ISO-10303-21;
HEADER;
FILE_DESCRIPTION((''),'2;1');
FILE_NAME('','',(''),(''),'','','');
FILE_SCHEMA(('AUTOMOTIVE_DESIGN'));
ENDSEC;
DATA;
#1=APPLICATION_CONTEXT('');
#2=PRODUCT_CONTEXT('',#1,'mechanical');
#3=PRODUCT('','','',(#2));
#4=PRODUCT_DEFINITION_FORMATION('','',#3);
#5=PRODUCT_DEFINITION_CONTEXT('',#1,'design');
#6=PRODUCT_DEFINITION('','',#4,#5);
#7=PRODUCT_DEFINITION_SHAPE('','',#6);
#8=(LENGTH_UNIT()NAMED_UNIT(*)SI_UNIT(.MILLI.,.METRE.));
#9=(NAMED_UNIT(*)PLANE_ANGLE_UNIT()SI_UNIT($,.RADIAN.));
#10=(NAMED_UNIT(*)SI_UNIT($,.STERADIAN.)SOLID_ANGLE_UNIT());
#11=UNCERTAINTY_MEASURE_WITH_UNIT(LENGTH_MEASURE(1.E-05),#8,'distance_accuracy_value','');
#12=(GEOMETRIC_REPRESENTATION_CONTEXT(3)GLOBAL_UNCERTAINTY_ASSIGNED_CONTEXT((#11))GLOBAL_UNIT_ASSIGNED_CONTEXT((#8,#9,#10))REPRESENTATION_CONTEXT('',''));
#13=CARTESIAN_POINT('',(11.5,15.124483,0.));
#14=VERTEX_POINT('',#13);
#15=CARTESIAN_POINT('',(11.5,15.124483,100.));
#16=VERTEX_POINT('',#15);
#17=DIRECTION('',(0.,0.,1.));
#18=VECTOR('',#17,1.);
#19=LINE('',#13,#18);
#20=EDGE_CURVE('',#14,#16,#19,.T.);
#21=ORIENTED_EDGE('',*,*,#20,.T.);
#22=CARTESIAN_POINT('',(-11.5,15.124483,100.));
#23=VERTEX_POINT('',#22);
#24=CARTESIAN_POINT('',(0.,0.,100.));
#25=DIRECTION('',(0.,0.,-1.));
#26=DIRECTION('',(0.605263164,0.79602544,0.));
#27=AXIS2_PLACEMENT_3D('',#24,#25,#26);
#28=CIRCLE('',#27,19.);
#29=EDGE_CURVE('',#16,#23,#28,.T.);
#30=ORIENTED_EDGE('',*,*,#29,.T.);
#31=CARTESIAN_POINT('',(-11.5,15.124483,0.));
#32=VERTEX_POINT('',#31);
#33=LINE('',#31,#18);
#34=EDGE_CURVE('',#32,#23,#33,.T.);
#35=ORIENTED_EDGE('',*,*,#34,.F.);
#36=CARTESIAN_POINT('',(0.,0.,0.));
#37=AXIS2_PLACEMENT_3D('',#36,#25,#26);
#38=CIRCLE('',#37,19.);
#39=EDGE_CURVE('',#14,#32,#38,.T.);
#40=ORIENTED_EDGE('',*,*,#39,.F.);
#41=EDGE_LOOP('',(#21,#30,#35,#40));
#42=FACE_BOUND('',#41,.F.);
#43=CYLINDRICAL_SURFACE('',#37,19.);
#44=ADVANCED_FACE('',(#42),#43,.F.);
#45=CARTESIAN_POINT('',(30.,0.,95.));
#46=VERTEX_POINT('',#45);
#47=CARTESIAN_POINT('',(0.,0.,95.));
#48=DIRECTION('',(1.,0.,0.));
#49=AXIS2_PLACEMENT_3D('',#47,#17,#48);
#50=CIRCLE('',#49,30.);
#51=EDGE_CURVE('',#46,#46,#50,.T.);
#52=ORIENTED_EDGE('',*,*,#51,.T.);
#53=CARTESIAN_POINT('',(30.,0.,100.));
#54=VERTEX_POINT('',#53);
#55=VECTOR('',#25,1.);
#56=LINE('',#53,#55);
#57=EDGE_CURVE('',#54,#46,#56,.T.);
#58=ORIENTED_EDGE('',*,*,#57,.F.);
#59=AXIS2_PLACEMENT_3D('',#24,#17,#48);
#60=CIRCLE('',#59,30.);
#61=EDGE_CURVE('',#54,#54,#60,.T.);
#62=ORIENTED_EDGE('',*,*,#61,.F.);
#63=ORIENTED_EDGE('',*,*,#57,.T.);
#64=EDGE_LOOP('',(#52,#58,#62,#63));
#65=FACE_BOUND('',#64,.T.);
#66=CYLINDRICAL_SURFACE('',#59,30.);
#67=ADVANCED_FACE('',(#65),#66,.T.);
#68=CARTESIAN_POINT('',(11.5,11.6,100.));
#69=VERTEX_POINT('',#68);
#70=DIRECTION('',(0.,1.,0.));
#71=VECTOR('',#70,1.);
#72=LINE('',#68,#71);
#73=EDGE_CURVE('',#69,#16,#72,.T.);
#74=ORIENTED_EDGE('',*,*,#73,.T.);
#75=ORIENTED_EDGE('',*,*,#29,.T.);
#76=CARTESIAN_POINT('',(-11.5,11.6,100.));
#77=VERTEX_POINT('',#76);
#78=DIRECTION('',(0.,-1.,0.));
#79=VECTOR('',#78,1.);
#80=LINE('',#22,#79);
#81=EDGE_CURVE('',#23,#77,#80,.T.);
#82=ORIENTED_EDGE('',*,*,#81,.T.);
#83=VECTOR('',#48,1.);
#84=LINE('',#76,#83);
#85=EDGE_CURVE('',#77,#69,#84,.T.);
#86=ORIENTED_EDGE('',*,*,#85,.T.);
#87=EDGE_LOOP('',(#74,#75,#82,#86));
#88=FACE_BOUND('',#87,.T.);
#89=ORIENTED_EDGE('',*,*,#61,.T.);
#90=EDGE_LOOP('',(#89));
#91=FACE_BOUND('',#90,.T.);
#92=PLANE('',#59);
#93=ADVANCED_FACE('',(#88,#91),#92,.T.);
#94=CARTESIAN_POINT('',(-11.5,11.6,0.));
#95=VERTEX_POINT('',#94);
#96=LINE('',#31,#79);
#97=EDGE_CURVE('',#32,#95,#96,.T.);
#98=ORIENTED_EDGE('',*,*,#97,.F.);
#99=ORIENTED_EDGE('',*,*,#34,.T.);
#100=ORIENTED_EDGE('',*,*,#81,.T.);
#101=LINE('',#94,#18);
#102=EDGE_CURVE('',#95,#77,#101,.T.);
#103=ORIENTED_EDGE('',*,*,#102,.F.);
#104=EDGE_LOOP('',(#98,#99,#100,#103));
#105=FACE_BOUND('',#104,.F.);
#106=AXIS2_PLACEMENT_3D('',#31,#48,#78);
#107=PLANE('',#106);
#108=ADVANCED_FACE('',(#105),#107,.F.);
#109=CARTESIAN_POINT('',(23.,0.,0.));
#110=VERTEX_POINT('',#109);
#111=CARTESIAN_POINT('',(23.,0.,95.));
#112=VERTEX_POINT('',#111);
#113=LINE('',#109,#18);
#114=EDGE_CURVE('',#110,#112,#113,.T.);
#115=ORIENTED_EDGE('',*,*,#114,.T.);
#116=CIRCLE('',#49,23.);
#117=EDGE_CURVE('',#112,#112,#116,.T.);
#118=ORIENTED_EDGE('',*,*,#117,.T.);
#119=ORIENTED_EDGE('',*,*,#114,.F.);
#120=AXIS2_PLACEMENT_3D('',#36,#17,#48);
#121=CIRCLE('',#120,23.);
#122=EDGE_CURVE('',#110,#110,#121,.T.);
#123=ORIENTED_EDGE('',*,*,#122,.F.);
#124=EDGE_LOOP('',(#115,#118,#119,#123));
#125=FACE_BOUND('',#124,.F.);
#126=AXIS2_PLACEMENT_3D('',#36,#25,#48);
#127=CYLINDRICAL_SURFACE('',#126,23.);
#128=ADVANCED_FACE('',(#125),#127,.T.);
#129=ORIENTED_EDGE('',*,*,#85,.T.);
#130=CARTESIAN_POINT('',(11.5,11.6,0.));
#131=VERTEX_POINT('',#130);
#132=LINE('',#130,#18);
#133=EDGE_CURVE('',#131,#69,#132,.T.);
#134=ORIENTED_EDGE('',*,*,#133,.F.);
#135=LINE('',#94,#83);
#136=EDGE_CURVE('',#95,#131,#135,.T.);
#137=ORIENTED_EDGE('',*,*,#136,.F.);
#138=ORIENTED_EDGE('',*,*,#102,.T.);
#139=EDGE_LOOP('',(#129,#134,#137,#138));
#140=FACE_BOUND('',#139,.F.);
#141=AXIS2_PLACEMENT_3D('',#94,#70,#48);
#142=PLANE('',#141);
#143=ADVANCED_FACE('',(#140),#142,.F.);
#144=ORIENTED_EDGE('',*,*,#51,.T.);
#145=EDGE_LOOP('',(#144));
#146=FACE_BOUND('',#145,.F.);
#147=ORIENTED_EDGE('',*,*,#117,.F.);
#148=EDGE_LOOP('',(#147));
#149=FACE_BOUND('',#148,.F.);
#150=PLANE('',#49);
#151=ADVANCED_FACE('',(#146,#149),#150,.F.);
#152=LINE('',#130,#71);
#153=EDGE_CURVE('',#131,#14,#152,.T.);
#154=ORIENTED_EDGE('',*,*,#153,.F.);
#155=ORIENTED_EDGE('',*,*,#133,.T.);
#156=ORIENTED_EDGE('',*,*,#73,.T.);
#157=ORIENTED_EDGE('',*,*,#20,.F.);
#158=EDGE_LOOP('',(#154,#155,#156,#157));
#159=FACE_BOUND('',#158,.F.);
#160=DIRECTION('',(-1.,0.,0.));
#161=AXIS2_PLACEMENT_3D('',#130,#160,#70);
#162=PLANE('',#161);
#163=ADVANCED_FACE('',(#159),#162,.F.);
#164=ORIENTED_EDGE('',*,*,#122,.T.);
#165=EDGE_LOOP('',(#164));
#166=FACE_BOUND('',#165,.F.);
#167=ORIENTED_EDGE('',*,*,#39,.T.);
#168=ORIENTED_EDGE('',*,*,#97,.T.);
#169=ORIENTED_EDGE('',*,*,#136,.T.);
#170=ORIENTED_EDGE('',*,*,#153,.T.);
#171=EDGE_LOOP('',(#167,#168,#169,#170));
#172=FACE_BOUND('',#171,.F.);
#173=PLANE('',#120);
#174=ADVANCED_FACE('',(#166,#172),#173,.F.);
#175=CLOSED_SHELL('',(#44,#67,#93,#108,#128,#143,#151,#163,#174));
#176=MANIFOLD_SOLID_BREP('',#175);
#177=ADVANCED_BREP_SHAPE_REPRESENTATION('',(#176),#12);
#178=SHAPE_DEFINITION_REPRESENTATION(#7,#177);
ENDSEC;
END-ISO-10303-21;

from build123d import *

# Parameters (mm, degrees)
F0_R     = 23
F1_DEPTH = 100
F2_R     = 30
F2_R_2   = 23
F3_DEPTH = 5


with BuildPart() as f1:
    # F0 (on Top) → F1 (new body)
    with BuildSketch(Plane.XY):
        Circle(F0_R)
        with BuildLine():
            ThreePointArc((11.5, 15.124483), (0, -19), (-11.5, 15.124483))
            Line((-11.5, 15.124483), (-11.5, 11.6))
            Line((-11.5, 11.6), (11.5, 11.6))
            Line((11.5, 11.6), (11.5, 15.124483))
        make_face(mode=Mode.SUBTRACT)
    extrude(amount=F1_DEPTH)

    # F2 (on face) → F3 (join)
    with BuildSketch(Plane.XY.offset(100)):
        Circle(F2_R)
        Circle(F2_R_2, mode=Mode.SUBTRACT)
    extrude(amount=-F3_DEPTH)


solid = f1.part
